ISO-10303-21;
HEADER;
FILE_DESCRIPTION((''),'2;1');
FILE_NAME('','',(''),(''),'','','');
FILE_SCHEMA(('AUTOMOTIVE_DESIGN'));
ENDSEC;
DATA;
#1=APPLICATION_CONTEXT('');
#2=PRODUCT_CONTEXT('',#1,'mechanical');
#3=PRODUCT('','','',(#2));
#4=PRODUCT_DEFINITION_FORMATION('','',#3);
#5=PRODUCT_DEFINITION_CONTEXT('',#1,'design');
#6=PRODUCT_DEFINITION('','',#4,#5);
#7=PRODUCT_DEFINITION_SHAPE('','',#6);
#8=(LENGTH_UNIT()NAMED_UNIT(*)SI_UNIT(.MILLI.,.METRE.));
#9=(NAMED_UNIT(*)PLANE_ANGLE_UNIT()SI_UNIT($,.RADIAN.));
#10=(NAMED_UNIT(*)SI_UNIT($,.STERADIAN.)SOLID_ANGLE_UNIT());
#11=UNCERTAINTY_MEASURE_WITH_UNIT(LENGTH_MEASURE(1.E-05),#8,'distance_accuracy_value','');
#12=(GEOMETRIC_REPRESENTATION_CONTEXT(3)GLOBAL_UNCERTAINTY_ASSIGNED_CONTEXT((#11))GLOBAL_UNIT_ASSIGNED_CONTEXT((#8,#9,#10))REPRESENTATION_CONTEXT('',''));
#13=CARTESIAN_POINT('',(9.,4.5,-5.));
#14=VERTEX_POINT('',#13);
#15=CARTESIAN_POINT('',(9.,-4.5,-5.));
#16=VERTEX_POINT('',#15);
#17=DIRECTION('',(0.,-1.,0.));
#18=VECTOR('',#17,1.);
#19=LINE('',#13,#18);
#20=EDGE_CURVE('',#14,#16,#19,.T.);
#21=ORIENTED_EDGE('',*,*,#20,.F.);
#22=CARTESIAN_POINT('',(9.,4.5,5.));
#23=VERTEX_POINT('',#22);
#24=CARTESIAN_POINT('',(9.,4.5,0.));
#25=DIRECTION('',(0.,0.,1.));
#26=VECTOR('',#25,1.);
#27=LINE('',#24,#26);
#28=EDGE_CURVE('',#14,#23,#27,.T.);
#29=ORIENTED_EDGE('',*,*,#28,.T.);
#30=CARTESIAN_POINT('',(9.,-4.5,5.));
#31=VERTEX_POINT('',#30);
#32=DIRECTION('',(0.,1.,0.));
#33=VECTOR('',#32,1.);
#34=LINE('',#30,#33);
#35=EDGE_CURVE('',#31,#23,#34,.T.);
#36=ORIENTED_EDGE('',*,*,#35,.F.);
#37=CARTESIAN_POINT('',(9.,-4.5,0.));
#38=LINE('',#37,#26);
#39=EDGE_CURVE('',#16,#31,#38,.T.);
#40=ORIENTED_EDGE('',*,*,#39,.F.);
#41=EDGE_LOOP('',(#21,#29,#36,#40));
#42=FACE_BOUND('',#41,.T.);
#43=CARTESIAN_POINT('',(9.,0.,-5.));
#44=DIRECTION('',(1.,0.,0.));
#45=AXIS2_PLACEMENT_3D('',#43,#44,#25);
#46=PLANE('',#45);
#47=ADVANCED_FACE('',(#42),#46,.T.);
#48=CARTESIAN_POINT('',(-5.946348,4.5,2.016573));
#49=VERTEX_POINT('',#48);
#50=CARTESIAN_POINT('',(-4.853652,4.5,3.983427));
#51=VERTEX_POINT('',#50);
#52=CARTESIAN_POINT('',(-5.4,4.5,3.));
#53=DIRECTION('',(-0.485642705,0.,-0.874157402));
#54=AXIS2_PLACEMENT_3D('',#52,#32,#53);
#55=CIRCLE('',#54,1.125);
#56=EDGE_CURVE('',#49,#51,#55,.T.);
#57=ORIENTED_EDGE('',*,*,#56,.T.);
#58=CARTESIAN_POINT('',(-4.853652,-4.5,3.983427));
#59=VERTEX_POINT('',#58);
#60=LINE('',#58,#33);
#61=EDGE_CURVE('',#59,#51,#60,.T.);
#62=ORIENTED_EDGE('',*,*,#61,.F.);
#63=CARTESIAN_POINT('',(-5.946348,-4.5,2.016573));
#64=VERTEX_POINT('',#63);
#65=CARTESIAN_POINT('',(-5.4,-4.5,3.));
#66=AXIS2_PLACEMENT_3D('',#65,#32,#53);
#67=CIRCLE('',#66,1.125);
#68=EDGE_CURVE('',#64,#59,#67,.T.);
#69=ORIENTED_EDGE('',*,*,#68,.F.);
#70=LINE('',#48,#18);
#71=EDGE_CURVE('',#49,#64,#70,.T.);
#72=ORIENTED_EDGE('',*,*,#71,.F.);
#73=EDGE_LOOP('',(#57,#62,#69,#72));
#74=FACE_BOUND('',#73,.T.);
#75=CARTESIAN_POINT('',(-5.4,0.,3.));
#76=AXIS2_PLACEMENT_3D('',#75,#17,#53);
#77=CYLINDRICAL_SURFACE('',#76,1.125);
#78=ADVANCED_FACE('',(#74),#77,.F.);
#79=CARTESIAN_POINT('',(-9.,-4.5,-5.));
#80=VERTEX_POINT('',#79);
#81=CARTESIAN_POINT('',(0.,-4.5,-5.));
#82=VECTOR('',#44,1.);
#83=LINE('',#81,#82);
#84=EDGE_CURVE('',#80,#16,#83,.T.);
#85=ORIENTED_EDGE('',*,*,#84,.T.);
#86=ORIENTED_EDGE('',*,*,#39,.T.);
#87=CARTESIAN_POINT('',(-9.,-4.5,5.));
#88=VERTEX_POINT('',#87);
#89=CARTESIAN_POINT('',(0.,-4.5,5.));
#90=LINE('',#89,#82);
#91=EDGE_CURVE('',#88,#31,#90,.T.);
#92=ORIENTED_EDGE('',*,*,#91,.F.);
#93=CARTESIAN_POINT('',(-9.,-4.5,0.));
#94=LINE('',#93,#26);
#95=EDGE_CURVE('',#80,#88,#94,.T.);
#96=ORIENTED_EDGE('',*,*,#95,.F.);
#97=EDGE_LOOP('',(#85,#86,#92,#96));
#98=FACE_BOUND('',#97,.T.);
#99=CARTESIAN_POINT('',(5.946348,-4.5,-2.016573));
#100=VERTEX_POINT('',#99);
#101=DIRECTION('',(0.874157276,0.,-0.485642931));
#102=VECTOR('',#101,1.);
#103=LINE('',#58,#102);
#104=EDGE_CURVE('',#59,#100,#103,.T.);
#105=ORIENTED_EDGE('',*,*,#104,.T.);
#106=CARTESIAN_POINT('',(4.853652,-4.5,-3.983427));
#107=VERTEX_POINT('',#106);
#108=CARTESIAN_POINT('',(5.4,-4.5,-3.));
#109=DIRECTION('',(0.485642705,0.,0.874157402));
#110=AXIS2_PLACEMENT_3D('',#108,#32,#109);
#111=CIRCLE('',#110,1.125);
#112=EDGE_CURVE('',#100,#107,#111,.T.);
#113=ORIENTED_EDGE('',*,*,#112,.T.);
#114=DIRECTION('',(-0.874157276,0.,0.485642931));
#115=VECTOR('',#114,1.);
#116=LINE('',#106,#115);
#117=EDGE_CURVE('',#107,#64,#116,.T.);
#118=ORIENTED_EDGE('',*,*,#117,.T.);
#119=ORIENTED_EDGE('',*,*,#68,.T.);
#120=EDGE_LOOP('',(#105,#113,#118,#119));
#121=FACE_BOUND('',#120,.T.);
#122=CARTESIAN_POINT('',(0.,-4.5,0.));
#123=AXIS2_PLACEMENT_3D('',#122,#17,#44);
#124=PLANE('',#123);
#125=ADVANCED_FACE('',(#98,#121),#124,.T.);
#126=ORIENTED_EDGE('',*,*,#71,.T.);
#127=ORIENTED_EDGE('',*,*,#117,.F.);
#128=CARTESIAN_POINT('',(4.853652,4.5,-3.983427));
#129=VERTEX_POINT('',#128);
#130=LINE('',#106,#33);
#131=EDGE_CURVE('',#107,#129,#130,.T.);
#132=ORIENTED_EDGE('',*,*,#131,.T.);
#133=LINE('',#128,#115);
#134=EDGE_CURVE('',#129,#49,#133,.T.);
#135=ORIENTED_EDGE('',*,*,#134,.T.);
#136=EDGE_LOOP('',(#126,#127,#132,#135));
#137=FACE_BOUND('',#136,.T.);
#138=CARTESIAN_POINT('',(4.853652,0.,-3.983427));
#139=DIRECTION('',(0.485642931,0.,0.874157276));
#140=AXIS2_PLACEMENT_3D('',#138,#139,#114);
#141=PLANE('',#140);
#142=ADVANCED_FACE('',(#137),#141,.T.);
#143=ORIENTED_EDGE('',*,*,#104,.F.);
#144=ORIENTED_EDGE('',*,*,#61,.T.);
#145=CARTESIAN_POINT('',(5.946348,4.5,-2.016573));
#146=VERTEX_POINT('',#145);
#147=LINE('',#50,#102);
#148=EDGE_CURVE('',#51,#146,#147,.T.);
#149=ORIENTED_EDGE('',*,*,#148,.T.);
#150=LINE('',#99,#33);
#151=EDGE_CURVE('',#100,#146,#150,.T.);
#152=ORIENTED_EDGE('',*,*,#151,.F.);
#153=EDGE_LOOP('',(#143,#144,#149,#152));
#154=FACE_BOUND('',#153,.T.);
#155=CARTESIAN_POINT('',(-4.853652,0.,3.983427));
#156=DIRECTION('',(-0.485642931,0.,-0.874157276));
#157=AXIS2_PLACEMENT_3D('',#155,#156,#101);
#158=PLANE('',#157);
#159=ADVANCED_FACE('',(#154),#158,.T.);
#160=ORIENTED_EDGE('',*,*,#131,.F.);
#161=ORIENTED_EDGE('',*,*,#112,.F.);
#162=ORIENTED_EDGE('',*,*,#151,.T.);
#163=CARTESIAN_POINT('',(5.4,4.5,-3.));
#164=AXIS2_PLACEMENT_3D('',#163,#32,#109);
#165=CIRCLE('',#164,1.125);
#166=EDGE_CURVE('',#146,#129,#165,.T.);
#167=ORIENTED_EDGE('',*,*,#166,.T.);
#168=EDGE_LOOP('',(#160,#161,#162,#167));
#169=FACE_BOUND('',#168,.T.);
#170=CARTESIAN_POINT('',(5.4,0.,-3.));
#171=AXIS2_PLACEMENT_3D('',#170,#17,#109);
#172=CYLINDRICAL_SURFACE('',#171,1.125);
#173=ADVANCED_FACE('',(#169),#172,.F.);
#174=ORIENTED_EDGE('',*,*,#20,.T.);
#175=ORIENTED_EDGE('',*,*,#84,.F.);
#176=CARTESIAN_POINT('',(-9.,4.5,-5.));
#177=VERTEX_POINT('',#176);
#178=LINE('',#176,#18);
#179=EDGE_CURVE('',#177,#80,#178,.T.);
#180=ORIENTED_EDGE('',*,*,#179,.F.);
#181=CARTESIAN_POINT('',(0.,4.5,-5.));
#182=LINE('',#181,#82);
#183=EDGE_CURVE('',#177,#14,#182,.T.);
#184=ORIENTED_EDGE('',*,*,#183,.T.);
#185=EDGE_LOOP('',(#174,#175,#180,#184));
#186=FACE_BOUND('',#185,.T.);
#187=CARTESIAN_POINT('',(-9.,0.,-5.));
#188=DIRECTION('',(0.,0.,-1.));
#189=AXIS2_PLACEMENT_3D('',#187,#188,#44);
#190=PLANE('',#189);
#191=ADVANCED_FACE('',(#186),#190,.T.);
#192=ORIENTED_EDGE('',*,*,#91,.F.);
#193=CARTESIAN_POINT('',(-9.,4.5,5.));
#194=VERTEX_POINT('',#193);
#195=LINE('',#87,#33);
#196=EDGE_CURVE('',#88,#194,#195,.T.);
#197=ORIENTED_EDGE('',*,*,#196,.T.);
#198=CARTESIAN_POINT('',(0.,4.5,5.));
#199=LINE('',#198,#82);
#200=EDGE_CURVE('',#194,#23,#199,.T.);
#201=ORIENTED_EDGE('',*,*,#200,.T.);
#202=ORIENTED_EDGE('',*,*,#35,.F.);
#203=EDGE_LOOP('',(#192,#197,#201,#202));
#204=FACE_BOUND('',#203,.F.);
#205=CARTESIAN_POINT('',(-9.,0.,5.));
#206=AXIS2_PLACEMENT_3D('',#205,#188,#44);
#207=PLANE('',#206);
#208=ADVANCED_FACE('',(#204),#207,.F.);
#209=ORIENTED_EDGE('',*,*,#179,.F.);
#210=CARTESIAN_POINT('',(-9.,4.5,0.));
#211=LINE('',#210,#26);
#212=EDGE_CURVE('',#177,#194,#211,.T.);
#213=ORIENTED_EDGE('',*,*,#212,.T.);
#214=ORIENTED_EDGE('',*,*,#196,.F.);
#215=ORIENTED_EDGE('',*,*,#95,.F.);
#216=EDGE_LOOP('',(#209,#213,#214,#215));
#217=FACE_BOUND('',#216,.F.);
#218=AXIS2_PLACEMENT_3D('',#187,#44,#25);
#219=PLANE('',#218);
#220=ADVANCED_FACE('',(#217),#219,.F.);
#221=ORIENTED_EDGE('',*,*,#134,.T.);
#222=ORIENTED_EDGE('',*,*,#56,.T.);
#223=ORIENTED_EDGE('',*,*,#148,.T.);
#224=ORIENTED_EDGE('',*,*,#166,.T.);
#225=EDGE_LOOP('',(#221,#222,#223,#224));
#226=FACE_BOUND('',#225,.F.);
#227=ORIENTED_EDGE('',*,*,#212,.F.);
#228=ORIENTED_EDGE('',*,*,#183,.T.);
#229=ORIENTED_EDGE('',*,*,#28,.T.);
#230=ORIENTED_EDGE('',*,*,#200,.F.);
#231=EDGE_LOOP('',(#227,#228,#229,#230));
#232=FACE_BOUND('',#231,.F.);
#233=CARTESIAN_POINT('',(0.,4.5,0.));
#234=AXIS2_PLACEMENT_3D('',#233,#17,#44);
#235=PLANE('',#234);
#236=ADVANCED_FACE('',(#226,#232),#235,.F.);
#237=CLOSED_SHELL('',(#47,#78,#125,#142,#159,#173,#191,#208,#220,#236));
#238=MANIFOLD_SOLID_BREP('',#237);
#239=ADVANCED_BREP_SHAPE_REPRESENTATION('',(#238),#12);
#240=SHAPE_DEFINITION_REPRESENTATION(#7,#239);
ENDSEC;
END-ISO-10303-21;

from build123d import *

# Parameters (mm, degrees)
F0_W     = 18
F0_H     = 10
F1_DEPTH = 4.5


with BuildPart() as f1:
    # F0 (on Front) → F1 (new body, symmetric)
    with BuildSketch(Plane.XZ):
        Rectangle(F0_W, F0_H)
        with BuildLine():
            ThreePointArc((-5.946348, 2.016573), (-6.383427, 3.546348), (-4.853652, 3.983427))
            Line((-4.853652, 3.983427), (5.946348, -2.016573))
            ThreePointArc((5.946348, -2.016573), (6.383427, -3.546348), (4.853652, -3.983427))
            Line((4.853652, -3.983427), (-5.946348, 2.016573))
        make_face(mode=Mode.SUBTRACT)
    extrude(amount=F1_DEPTH, both=True)


solid = f1.part
